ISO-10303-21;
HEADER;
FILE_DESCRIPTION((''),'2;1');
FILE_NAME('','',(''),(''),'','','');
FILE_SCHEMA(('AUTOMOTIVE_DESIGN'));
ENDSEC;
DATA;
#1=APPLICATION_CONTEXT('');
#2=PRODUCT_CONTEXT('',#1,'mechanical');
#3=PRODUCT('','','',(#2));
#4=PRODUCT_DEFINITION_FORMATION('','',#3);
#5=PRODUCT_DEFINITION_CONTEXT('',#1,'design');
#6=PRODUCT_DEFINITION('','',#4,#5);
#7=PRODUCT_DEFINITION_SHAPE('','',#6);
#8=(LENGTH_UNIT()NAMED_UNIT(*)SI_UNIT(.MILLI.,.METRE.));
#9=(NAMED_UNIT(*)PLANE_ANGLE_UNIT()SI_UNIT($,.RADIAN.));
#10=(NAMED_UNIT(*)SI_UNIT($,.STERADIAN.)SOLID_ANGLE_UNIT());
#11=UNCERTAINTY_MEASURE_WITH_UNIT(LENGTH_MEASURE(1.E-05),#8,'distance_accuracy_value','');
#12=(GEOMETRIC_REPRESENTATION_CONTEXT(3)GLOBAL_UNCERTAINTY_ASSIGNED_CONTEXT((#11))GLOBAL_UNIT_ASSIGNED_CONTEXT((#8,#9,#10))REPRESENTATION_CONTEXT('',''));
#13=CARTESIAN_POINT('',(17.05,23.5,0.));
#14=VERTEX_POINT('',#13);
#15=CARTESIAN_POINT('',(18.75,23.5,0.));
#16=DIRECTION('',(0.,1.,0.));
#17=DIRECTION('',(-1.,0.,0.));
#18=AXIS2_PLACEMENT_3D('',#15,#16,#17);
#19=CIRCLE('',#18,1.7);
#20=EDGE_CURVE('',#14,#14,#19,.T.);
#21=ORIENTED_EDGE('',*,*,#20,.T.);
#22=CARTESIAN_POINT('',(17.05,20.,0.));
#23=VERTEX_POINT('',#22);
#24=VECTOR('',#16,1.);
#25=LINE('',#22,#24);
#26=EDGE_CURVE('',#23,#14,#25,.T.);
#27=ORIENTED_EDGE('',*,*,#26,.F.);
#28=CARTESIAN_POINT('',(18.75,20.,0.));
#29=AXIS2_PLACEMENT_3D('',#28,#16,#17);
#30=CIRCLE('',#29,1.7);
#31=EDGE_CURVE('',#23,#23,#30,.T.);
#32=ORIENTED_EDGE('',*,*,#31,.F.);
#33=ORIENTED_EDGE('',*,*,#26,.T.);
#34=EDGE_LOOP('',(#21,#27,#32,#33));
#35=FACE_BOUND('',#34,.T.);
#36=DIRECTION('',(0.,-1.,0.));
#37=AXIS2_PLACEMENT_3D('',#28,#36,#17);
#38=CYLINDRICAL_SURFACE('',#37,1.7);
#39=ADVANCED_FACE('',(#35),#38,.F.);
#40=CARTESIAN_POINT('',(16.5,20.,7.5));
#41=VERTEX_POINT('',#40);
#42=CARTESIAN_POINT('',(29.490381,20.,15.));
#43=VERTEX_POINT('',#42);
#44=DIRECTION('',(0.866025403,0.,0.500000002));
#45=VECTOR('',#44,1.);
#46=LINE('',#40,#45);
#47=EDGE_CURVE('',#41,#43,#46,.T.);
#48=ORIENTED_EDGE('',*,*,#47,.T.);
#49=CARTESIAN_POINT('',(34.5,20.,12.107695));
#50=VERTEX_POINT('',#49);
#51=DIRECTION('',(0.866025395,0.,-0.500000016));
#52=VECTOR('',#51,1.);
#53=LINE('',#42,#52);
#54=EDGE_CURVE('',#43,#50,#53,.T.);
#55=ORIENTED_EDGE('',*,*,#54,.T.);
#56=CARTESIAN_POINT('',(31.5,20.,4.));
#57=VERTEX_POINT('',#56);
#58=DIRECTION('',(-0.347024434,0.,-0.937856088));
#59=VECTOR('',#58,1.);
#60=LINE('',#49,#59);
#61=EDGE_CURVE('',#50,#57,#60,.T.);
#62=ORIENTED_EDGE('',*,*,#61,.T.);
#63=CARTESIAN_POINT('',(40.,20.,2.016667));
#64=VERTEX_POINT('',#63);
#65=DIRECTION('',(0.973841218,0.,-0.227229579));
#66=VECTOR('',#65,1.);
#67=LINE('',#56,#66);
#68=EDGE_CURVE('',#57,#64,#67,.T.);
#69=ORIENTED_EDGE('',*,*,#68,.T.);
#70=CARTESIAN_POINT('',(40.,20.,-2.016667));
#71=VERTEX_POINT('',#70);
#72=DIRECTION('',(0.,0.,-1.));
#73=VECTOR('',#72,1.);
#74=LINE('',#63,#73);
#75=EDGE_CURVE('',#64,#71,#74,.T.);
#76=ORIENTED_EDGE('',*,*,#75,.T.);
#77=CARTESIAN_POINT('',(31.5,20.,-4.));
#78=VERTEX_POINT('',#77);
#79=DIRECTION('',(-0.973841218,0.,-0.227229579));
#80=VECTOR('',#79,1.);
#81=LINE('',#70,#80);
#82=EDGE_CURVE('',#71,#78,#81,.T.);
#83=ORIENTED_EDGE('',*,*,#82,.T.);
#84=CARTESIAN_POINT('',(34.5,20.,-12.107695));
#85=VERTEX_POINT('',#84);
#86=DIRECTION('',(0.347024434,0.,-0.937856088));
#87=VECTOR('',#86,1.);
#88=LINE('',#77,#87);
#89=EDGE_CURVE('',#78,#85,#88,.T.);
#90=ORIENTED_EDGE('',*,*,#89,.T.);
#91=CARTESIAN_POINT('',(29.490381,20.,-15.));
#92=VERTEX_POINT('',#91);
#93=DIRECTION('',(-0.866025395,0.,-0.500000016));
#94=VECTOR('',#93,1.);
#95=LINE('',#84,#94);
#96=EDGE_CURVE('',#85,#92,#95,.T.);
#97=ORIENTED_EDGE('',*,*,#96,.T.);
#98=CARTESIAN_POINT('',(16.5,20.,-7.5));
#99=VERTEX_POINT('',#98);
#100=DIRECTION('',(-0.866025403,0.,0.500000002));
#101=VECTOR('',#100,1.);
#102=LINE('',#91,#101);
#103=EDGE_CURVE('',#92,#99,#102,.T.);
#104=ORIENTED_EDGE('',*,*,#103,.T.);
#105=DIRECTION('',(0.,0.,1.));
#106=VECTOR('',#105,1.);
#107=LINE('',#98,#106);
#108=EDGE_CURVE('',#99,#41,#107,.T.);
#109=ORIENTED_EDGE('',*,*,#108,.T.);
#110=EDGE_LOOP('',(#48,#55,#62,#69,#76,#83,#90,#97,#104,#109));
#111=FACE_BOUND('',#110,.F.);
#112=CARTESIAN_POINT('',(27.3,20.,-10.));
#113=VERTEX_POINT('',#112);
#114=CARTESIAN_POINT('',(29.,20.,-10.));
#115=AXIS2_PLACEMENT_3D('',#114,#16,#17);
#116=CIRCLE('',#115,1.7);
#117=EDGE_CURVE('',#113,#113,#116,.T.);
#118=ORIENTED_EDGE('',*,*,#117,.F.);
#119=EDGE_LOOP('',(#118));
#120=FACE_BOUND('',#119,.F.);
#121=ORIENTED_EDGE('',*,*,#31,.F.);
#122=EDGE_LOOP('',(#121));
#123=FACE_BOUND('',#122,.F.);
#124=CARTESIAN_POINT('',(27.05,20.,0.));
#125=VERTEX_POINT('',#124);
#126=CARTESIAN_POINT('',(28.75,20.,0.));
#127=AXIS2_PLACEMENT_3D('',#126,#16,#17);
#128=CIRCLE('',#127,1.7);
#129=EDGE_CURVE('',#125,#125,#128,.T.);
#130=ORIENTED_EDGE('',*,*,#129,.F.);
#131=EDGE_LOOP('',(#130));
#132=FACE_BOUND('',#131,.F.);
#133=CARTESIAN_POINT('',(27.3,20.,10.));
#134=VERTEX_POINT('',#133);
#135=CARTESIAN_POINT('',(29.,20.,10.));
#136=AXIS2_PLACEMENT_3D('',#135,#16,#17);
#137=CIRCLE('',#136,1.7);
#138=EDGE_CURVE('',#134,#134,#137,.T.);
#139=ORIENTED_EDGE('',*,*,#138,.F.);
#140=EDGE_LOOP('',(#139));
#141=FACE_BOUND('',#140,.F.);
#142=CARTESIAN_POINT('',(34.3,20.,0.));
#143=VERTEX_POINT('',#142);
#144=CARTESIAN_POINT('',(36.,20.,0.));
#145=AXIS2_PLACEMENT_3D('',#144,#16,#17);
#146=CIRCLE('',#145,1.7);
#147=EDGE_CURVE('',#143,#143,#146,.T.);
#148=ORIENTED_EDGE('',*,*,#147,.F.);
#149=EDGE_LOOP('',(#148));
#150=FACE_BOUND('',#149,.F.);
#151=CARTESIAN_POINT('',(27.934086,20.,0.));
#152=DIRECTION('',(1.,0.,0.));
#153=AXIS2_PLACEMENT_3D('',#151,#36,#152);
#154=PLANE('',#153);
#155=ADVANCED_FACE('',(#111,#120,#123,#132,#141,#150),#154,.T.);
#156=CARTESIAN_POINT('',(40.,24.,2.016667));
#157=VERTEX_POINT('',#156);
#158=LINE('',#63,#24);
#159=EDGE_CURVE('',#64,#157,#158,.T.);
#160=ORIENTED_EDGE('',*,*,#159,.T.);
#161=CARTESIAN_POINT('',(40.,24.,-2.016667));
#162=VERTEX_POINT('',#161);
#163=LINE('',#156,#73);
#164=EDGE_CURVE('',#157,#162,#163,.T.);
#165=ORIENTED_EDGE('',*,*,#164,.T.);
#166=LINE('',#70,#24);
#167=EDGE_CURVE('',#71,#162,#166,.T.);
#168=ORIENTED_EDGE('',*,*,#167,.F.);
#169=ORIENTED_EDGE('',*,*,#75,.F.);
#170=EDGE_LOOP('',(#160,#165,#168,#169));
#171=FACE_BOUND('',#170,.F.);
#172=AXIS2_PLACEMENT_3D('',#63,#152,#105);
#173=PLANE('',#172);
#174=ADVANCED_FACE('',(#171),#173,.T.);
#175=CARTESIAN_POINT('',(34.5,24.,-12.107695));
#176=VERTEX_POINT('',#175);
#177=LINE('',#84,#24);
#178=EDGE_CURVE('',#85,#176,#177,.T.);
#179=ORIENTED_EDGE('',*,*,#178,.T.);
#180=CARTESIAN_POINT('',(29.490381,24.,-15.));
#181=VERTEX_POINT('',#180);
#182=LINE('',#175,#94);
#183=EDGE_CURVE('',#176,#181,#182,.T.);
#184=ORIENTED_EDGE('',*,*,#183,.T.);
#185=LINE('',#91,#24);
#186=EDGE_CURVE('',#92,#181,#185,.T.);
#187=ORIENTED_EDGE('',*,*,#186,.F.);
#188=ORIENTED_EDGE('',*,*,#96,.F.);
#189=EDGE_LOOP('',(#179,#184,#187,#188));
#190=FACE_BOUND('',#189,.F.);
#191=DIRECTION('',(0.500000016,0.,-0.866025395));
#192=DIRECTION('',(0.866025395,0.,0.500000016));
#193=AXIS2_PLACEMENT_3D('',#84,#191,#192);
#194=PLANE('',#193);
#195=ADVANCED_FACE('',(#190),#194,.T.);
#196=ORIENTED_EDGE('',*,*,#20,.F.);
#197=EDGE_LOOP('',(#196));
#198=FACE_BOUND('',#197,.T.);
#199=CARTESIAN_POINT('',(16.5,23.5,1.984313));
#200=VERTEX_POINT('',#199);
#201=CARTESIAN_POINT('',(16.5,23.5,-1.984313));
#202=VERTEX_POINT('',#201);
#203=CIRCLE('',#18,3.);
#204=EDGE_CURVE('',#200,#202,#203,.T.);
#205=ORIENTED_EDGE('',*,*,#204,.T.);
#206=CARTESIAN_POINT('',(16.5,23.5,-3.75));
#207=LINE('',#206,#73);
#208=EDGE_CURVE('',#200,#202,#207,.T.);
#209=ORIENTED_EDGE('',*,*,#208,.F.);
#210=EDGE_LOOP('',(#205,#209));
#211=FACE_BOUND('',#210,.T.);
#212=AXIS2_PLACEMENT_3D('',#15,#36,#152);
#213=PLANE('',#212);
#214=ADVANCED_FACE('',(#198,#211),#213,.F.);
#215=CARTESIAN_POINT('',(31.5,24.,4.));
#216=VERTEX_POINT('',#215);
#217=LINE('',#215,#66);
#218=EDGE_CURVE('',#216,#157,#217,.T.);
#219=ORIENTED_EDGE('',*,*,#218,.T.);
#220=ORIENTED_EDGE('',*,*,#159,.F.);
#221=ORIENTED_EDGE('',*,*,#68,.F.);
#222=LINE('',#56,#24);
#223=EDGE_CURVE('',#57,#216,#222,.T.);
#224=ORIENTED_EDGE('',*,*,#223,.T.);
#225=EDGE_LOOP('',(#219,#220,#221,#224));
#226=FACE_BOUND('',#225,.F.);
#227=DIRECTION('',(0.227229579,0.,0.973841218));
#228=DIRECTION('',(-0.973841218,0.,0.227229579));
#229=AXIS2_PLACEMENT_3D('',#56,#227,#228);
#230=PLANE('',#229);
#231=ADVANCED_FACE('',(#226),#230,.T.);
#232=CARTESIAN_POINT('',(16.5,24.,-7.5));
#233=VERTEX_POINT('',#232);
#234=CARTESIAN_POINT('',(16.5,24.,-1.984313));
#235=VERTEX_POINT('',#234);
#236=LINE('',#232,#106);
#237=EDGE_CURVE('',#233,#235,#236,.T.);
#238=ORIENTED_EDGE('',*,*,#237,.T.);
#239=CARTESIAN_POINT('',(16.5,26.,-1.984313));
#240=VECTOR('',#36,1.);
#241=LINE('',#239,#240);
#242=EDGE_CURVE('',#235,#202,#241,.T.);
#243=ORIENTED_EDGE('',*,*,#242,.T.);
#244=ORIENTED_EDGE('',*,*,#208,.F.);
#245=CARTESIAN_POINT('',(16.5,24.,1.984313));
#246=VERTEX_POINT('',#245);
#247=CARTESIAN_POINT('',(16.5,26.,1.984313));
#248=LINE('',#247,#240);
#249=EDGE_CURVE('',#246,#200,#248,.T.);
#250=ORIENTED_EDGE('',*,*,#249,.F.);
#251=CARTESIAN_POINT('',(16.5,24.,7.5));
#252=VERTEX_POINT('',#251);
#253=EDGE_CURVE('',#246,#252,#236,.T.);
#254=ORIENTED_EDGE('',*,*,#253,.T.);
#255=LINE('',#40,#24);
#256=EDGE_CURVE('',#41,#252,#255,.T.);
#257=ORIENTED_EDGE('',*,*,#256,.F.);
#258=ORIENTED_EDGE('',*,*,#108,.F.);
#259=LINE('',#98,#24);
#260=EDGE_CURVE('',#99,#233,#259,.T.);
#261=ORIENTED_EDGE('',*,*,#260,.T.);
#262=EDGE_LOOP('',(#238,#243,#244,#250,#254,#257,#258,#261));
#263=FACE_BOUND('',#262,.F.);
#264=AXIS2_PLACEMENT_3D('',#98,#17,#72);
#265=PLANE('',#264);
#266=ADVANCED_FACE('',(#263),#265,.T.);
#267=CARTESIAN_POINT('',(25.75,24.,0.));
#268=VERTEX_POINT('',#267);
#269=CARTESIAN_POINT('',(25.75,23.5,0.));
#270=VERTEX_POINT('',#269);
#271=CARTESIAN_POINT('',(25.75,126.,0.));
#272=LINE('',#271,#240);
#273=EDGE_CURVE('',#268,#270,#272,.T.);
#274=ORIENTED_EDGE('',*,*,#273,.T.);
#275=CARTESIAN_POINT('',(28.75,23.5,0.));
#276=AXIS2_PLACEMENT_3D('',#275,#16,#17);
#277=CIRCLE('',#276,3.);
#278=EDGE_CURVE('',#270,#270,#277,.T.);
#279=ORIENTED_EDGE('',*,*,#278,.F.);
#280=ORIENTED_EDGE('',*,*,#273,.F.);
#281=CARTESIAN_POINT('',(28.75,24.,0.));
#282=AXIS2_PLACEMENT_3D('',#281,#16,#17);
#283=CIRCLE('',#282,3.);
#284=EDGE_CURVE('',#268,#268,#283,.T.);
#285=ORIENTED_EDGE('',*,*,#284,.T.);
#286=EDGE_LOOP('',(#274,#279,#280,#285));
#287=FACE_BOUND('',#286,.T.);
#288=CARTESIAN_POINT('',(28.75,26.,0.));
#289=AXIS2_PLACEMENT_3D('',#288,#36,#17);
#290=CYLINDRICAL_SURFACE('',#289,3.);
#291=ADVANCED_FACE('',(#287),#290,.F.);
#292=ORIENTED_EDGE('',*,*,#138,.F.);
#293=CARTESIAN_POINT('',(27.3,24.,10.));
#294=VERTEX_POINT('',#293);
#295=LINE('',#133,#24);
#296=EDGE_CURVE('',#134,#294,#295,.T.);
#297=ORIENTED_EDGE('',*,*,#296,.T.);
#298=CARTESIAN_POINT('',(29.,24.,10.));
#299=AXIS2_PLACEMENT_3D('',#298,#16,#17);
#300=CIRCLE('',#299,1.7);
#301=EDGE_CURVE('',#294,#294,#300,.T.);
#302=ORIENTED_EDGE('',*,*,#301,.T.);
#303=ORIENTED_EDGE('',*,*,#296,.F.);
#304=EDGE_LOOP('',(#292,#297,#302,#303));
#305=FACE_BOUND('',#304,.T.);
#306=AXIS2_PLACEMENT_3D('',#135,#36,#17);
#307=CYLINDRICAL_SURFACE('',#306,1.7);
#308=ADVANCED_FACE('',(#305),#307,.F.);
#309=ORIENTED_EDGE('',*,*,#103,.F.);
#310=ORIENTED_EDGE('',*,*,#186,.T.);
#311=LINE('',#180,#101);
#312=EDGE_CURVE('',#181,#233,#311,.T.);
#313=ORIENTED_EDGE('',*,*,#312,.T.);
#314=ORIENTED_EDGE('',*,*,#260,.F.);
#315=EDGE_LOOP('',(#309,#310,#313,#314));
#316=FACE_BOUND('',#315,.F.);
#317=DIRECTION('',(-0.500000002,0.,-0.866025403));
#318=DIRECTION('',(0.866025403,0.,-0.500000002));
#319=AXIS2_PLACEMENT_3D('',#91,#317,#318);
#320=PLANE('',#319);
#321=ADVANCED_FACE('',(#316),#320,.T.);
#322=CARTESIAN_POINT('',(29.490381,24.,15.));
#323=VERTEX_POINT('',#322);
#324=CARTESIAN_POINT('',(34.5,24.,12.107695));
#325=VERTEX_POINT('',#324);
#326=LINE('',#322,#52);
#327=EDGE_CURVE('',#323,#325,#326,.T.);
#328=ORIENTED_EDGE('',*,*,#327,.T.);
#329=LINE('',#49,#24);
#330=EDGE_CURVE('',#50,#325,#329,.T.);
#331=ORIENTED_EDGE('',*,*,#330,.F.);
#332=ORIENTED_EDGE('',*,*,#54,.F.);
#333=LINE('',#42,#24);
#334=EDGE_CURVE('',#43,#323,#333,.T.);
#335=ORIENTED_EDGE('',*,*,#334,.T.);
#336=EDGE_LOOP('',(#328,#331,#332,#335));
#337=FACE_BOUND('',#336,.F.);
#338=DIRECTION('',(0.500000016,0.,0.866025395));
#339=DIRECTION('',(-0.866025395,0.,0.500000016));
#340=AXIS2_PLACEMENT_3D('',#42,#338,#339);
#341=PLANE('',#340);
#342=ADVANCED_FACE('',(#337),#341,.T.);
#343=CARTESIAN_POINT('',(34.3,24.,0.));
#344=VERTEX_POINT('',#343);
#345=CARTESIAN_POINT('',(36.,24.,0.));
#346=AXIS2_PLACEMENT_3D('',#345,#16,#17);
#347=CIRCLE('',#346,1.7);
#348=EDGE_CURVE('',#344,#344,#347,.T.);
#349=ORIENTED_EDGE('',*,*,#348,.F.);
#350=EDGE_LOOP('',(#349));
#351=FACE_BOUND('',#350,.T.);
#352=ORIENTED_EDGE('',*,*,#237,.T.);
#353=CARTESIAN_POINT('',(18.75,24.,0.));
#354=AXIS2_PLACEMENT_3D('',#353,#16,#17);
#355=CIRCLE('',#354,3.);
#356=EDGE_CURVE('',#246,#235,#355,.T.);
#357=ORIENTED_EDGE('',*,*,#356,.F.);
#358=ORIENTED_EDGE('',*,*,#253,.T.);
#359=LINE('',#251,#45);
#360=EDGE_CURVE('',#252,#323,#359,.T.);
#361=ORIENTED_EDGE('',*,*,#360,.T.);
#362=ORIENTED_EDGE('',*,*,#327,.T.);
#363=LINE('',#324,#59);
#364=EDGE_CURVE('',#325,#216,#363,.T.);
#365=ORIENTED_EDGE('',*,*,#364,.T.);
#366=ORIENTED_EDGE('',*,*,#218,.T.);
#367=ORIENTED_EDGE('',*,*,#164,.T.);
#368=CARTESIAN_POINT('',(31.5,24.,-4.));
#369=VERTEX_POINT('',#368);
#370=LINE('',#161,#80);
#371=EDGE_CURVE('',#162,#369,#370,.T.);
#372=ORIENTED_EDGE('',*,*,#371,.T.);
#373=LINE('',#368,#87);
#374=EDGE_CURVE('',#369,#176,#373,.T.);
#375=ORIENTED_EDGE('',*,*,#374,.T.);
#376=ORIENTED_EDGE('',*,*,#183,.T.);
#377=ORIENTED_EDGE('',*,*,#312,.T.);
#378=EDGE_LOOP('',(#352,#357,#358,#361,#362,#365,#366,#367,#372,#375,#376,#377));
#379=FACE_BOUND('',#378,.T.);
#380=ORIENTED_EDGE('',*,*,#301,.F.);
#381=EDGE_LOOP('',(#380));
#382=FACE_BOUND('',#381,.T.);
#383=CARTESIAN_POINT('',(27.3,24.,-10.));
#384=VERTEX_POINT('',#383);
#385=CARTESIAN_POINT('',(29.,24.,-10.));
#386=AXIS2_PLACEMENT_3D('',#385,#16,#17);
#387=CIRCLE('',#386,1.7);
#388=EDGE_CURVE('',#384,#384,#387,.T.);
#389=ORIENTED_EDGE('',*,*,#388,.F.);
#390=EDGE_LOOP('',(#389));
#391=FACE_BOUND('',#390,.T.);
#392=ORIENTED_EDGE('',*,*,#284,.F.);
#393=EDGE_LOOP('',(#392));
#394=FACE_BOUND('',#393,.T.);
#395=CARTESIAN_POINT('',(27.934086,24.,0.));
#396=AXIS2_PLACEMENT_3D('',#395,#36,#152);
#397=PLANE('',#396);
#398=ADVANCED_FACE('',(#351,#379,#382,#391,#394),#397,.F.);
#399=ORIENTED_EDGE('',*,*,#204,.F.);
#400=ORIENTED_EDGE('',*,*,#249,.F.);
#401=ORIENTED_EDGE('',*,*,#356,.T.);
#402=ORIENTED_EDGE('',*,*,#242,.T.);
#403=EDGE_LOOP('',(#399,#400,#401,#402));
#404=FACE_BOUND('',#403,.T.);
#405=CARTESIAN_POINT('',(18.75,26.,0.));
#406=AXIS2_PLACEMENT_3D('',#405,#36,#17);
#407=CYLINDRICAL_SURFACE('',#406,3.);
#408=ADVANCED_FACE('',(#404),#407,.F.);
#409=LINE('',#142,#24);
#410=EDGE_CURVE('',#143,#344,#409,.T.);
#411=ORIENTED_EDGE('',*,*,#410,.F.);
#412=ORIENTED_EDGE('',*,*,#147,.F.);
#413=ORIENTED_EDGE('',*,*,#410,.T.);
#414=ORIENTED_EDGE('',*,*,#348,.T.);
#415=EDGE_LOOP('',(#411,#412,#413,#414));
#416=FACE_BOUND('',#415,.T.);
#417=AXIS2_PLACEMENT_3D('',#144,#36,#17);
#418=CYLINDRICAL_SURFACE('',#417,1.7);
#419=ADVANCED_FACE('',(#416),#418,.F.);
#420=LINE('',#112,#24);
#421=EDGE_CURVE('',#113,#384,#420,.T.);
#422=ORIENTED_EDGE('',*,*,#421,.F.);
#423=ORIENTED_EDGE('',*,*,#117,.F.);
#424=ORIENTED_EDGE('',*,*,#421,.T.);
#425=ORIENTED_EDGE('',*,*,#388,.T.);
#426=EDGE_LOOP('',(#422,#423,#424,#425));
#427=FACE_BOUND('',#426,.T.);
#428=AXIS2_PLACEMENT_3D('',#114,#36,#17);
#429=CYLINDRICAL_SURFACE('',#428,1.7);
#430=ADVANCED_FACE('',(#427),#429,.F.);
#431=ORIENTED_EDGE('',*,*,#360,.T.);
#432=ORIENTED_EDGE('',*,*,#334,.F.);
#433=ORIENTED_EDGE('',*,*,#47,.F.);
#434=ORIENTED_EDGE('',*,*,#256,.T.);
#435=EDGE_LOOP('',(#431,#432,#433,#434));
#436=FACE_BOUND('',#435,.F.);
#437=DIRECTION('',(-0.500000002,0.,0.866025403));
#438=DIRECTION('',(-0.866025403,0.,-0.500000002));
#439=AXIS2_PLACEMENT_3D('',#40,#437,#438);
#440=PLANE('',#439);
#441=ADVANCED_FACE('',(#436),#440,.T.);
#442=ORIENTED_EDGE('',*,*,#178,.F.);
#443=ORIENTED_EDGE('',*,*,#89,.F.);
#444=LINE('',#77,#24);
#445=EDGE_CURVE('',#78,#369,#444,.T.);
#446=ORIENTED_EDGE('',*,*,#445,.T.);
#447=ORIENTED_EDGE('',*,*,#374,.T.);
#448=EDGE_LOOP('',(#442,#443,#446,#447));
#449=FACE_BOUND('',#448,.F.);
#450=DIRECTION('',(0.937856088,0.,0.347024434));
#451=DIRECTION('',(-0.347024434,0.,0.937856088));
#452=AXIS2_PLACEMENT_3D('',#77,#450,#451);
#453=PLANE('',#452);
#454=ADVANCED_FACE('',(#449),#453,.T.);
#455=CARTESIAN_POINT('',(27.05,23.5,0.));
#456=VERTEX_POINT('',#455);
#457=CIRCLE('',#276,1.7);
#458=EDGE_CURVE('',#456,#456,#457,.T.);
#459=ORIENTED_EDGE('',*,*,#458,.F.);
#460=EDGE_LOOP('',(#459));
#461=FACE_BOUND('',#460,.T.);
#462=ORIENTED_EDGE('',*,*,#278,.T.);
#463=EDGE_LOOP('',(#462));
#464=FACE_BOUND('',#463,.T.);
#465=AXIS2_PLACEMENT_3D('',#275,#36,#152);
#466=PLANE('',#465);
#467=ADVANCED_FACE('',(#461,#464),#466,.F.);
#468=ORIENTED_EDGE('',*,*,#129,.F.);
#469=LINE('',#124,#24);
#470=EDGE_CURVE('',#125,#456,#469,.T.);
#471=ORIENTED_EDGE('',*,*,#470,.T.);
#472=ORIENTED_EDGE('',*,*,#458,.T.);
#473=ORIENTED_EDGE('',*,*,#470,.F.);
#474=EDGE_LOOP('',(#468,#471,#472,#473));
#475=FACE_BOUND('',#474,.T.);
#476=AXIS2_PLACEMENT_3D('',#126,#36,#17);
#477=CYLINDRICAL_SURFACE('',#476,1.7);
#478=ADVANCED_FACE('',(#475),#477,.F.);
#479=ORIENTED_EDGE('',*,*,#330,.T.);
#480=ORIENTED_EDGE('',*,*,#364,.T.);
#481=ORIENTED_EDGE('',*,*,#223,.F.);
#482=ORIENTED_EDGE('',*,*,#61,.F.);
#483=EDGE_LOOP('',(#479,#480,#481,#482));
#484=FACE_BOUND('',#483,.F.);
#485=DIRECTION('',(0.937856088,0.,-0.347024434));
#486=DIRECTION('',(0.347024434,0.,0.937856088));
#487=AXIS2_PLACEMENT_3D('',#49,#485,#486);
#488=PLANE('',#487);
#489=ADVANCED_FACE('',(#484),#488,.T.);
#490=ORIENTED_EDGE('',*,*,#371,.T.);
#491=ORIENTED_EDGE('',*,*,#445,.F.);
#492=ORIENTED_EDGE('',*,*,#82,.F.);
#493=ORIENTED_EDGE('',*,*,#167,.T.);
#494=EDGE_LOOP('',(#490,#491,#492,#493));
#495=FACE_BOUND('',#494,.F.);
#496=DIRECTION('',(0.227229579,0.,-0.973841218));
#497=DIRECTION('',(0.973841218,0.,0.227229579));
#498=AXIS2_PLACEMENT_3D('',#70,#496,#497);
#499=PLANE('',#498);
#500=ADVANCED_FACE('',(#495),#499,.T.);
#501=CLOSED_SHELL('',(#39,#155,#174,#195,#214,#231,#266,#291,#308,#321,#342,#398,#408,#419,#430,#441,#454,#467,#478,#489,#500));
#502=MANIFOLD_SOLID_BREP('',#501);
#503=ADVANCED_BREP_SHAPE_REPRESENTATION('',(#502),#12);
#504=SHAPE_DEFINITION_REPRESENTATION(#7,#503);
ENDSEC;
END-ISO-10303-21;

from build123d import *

# Parameters (mm, degrees)
SKETCH122_R       = 3
PAD096_DEPTH      = 2.5
PAD096_DEPTH_BACK = 100
SKETCH096_R       = 1.7
PAD073_DEPTH      = 4


with BuildPart() as countersink:
    # Sketch122 → Pad096 (new body, two sides)
    with BuildSketch(Plane.XZ.offset(-26)) as pad096_sk:
        with Locations((-18.75, 0)):
            Circle(SKETCH122_R)
        with Locations((-28.75, 0)):
            Circle(SKETCH122_R)
    extrude(amount=PAD096_DEPTH)
    extrude(pad096_sk.sketch, amount=-PAD096_DEPTH_BACK)


with BuildPart() as differentialmountadapter:
    # Sketch096 → Pad073 (new body)
    with BuildSketch(Plane.XZ.offset(-20)):
        Polygon((-16.5, 7.5), (-29.490381, 15), (-34.5, 12.107695), (-31.5, 4), (-40, 2.016667), (-40, -2.016667), (-31.5, -4), (-34.5, -12.107695), (-29.490381, -15), (-16.5, -7.5), align=None)
        with Locations((-18.75, 0)):
            Circle(SKETCH096_R, mode=Mode.SUBTRACT)
        with Locations((-28.75, 0)):
            Circle(SKETCH096_R, mode=Mode.SUBTRACT)
        with Locations((-29, 10)):
            Circle(SKETCH096_R, mode=Mode.SUBTRACT)
        with Locations((-29, -10)):
            Circle(SKETCH096_R, mode=Mode.SUBTRACT)
        with Locations((-36, 0)):
            Circle(SKETCH096_R, mode=Mode.SUBTRACT)
    extrude(amount=-PAD073_DEPTH)

    # Cut007019007: cut Countersink
    add(countersink.part, mode=Mode.SUBTRACT)


with BuildPart() as part_mirroring005:
    # Part__Mirroring005: instance of DifferentialMountAdapter
    add(differentialmountadapter.part.mirror(Plane(origin=(0, 0, 0), x_dir=(0, -1, 0), z_dir=(1, 0, 0))))


solid = part_mirroring005.part
